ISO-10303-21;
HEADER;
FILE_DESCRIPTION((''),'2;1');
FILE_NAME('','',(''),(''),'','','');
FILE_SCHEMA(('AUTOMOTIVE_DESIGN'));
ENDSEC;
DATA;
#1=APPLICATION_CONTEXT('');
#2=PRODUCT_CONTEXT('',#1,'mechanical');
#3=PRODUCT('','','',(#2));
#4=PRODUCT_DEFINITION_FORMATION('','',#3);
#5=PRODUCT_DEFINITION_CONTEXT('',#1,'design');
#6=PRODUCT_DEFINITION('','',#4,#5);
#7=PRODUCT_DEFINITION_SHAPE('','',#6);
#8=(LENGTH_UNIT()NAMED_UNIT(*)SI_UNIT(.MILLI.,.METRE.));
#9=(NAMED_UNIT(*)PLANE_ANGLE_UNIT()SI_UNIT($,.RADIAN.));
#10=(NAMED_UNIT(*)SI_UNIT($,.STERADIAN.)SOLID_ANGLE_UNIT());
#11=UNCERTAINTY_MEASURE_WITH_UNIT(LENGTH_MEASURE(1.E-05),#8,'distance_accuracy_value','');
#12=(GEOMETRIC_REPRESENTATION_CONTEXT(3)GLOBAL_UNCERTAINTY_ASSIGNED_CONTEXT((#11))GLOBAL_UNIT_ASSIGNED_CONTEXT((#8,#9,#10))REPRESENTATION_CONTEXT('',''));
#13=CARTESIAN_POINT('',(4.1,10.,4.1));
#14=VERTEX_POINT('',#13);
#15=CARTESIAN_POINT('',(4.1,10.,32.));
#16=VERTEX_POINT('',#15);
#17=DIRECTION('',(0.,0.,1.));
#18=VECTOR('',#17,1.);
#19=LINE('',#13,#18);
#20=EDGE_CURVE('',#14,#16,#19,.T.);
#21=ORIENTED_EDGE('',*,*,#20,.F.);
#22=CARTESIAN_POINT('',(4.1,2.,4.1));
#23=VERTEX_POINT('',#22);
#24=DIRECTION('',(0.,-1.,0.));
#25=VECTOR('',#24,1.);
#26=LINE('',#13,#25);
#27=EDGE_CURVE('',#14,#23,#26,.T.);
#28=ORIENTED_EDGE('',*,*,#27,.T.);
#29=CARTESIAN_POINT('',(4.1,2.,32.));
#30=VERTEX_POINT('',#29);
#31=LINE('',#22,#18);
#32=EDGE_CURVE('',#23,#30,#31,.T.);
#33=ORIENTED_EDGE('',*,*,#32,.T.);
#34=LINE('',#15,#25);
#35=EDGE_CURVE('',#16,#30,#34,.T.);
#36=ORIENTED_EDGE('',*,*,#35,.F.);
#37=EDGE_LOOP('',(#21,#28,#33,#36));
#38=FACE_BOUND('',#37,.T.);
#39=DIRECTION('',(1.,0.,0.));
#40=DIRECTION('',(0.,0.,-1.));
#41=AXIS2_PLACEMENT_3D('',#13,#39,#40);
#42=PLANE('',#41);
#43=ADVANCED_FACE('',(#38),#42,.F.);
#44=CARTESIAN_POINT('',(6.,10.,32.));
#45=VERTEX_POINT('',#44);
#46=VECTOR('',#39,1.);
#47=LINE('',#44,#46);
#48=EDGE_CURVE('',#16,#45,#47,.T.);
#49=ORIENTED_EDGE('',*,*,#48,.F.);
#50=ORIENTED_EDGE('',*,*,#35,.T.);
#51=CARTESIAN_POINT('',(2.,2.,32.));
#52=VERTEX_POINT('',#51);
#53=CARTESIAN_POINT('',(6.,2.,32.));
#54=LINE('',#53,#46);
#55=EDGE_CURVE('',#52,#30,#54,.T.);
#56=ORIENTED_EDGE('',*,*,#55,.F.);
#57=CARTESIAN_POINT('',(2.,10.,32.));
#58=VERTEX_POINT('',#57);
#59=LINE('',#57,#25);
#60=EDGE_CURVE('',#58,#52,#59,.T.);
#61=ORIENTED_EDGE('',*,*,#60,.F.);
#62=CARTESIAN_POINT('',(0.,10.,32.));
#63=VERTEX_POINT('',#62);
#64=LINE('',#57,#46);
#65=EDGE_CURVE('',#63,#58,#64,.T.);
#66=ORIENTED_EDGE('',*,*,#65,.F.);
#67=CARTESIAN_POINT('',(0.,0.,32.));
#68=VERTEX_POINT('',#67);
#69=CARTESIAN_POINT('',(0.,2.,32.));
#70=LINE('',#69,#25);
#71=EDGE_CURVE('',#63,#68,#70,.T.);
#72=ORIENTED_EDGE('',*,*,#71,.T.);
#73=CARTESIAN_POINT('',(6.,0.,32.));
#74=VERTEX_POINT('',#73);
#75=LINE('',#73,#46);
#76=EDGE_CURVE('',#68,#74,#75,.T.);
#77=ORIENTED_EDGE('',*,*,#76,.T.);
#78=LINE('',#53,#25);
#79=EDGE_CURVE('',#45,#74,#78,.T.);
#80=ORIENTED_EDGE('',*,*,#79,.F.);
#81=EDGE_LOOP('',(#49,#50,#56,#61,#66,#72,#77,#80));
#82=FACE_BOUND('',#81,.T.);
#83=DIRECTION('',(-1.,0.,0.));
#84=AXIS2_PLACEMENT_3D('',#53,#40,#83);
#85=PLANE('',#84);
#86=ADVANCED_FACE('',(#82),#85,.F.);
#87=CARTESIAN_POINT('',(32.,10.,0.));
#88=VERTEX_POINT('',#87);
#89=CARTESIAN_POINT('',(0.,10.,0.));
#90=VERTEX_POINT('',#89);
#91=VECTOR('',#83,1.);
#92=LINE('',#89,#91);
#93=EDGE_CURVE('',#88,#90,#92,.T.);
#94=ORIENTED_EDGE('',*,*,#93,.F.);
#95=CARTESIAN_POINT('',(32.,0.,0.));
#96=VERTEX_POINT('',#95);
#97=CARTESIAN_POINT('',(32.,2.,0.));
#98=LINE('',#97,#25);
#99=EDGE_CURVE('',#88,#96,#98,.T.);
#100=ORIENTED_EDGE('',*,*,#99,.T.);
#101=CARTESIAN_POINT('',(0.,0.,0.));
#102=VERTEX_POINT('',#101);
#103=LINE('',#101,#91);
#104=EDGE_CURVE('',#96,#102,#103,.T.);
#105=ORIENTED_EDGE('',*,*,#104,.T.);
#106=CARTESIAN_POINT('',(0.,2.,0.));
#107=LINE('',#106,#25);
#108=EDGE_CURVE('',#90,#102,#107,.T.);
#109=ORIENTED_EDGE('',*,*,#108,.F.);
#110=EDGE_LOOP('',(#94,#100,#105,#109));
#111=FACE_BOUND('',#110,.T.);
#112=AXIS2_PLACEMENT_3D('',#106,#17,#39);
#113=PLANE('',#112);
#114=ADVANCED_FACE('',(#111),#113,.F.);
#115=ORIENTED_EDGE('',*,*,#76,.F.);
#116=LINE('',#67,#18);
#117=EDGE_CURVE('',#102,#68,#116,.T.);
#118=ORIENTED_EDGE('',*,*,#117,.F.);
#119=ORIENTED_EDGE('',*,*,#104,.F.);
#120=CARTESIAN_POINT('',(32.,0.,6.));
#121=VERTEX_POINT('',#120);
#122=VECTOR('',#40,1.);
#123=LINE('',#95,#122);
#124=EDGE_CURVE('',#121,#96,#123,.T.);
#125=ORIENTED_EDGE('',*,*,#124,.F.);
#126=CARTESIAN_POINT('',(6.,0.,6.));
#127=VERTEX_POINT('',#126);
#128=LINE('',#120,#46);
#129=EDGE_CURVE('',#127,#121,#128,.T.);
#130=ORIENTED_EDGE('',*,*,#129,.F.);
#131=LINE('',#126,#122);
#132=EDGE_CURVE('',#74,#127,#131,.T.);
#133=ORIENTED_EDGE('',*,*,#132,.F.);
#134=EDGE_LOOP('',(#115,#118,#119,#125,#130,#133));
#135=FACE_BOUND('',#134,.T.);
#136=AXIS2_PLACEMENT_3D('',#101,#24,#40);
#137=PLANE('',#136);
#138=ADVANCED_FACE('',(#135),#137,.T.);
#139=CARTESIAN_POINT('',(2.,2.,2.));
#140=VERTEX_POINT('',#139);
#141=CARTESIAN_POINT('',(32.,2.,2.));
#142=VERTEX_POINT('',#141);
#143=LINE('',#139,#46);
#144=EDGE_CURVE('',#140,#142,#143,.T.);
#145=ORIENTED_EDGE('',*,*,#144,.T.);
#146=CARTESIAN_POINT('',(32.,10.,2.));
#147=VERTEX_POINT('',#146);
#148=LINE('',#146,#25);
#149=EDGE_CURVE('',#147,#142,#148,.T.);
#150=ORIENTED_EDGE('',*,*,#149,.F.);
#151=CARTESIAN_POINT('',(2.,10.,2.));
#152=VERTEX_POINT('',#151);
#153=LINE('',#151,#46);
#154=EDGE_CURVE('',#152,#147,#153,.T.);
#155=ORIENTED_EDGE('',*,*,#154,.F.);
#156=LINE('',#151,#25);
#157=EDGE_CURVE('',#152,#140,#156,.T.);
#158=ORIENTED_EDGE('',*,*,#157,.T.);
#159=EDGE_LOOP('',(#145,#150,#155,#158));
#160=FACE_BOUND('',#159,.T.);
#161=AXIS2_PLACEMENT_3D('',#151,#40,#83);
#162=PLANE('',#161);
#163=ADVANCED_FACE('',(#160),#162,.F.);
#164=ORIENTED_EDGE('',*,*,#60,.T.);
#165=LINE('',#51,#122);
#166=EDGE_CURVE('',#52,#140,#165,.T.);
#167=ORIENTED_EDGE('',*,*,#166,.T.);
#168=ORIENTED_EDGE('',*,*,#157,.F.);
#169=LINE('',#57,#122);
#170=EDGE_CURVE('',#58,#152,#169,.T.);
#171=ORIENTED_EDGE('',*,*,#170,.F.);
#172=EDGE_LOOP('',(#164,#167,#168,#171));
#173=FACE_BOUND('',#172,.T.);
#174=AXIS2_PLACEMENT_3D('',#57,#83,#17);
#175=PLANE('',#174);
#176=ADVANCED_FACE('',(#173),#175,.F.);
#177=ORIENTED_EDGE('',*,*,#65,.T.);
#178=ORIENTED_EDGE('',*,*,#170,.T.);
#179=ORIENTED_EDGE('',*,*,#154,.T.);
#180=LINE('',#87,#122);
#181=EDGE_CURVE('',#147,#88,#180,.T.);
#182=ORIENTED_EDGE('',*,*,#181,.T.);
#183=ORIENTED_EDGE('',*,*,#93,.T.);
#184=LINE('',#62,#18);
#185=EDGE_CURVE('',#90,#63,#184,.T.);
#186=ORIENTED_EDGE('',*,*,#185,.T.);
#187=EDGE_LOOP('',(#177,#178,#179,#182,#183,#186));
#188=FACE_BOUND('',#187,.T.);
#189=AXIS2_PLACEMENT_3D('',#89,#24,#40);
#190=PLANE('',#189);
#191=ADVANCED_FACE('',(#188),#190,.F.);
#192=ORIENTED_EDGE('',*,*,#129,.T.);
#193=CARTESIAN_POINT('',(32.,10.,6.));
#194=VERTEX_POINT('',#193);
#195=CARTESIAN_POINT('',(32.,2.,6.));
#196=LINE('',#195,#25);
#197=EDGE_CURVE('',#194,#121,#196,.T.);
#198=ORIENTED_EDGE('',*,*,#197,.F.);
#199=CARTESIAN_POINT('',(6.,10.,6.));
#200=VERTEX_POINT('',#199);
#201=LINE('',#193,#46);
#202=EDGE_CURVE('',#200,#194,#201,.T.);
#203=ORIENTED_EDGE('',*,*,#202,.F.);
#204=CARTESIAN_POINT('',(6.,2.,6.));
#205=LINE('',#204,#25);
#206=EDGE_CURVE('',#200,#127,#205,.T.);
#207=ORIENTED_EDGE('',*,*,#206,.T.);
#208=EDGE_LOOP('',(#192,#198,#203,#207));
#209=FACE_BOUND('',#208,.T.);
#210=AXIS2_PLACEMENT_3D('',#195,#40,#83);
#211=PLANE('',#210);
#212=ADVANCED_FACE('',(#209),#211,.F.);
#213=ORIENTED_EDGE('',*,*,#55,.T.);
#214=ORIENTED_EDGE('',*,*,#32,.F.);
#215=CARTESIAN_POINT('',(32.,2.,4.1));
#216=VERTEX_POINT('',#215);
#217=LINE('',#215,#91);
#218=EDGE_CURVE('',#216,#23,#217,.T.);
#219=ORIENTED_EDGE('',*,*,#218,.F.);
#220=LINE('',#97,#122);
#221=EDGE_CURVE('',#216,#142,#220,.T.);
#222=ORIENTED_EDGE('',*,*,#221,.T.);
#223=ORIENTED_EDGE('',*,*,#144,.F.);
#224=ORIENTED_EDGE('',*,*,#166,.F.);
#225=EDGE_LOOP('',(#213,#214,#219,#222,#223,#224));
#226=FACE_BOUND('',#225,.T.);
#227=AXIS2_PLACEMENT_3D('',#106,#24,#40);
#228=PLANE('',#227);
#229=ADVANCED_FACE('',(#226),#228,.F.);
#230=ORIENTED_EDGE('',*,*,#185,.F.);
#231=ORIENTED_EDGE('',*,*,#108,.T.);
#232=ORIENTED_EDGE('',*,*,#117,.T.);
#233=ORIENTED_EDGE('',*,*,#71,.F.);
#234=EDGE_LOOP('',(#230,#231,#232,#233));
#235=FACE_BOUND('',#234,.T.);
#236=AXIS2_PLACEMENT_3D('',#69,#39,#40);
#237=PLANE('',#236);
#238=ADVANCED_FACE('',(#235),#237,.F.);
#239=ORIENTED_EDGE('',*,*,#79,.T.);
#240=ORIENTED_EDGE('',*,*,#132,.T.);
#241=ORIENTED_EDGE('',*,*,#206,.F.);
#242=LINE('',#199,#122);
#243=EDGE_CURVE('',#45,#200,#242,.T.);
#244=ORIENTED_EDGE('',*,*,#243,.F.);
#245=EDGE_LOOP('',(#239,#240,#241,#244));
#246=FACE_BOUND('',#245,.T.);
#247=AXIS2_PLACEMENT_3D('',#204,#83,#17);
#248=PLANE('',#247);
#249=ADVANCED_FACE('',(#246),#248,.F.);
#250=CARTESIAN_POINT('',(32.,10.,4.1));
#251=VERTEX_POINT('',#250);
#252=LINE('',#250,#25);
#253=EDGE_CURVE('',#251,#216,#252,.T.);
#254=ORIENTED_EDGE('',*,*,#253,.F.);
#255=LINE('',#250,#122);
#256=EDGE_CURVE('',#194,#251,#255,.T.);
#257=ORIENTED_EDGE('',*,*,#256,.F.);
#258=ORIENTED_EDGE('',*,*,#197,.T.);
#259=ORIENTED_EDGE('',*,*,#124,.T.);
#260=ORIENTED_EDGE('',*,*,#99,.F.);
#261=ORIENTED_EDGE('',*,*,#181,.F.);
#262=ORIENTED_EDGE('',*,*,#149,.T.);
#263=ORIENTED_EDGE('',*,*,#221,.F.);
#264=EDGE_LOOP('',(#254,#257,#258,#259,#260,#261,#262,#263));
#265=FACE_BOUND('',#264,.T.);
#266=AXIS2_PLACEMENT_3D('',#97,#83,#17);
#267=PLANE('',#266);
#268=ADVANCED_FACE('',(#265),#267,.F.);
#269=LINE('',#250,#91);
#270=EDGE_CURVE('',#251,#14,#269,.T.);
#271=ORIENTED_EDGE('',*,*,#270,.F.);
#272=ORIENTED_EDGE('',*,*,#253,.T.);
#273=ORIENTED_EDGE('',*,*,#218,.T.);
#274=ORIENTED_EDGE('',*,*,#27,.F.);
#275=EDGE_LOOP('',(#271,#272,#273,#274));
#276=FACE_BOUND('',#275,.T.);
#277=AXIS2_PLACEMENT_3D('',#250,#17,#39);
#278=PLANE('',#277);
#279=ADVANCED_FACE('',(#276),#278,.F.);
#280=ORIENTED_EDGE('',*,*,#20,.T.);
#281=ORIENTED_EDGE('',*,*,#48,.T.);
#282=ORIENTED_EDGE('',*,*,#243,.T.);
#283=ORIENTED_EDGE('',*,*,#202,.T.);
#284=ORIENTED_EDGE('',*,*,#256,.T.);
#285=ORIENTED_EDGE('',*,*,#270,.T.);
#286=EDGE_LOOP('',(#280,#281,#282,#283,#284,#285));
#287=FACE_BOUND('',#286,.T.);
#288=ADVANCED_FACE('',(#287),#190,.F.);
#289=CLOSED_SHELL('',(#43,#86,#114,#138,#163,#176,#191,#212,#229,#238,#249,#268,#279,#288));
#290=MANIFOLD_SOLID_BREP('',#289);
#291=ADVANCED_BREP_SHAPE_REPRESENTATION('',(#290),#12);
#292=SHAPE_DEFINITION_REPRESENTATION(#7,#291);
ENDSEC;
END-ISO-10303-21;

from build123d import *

# Parameters (mm, degrees)
BOSS_EXTRUDE1_DEPTH = 2
BOSS_EXTRUDE2_DEPTH = 8


with BuildPart() as part:
    # Sketch1 → Boss-Extrude1 (new body)
    with BuildSketch(Plane(origin=(0, 0, 0), x_dir=(1, 0, 0), z_dir=(0, 1, 0))):
        Polygon((0, 0), (32, 0), (32, -6), (6, -6), (6, -32), (0, -32), align=None)
    extrude(amount=BOSS_EXTRUDE1_DEPTH)

    # Sketch2 → Boss-Extrude2 (add)
    with BuildSketch(Plane(origin=(0, 2, 0), x_dir=(1, 0, 0), z_dir=(0, 1, 0))):
        Polygon((2, -32), (2, -2), (32, -2), (32, 0), (0, 0), (0, -32), align=None)
        Polygon((32, -4.1), (4.1, -4.1), (4.1, -32), (6, -32), (6, -6), (32, -6), align=None)
    extrude(amount=BOSS_EXTRUDE2_DEPTH)


solid = part.part
